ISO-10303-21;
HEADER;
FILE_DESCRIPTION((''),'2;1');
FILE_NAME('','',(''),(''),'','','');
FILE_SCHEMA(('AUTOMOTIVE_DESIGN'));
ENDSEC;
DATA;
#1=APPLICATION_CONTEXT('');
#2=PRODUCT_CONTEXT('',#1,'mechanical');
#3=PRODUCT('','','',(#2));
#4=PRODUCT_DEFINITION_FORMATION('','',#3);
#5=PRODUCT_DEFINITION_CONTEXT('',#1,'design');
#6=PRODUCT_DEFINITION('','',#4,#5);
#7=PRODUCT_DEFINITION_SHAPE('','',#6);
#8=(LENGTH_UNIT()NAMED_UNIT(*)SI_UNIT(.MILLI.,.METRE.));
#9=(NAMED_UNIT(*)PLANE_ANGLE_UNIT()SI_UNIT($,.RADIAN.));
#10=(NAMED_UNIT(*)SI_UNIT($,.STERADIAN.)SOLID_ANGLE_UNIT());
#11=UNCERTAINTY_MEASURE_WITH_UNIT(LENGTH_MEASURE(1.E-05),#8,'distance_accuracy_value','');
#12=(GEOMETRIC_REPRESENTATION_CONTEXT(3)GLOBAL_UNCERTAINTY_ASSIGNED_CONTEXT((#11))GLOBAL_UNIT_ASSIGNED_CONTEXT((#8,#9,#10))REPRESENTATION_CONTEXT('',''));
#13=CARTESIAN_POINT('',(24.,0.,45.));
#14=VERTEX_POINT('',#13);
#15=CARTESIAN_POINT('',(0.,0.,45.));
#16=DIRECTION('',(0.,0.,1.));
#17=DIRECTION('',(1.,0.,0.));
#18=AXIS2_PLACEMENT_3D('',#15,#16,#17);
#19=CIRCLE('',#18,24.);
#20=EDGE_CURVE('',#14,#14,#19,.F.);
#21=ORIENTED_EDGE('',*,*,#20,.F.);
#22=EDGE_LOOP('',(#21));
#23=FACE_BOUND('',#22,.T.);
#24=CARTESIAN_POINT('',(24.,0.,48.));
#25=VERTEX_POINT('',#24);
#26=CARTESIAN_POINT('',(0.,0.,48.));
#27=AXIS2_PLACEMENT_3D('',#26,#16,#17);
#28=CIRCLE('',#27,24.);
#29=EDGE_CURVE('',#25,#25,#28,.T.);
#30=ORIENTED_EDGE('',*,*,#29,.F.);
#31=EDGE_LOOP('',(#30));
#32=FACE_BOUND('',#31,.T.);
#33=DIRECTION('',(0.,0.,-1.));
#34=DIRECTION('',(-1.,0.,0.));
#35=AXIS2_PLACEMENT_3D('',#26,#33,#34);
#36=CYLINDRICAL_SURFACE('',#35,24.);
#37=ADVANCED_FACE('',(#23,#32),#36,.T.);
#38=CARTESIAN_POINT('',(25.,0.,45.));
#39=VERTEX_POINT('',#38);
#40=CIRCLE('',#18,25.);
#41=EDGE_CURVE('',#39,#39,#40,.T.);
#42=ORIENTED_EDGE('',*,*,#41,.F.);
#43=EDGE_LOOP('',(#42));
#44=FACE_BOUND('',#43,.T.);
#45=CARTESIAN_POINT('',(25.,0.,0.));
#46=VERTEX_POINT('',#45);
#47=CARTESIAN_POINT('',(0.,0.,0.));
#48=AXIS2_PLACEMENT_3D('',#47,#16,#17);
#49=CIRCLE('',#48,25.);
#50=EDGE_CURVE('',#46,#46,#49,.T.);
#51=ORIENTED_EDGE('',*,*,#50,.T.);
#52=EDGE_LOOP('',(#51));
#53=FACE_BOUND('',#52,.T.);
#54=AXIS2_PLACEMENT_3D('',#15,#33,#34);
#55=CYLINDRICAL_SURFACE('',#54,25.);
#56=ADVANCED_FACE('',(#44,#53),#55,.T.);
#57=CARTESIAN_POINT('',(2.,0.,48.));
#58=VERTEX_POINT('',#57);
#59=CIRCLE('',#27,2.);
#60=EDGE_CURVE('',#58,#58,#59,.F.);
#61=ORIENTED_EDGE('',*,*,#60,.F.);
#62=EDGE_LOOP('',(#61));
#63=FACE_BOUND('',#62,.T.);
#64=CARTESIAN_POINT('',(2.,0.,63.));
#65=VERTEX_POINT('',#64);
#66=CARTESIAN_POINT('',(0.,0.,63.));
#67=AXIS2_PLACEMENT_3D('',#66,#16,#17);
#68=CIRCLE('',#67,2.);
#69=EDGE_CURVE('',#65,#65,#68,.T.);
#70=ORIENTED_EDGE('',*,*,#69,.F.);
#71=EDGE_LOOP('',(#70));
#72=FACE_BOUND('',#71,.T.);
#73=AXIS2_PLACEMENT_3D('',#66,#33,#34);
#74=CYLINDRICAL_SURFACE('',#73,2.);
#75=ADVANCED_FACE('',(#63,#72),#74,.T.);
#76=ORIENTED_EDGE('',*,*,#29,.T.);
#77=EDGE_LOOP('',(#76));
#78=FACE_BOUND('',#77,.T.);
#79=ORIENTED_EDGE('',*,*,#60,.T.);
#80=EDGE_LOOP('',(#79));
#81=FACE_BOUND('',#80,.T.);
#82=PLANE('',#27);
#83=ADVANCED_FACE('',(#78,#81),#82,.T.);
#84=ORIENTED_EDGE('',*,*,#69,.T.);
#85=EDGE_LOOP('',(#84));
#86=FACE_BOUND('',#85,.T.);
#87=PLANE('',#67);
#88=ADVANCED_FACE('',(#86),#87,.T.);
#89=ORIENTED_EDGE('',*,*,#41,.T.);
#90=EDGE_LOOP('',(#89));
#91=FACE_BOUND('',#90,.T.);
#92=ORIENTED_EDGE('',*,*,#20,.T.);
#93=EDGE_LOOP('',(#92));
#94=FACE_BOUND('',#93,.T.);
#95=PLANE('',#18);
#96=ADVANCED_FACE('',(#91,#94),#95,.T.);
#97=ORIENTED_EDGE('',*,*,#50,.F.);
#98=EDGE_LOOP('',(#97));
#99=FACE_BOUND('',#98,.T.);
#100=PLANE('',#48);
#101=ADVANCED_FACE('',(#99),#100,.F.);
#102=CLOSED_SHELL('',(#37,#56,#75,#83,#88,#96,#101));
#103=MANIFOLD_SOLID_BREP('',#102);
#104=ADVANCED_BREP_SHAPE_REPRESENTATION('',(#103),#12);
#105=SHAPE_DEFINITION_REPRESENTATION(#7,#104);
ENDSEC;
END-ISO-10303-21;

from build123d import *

# Parameters (mm, degrees)
SKETCH1_R           = 25
BOSS_EXTRUDE1_DEPTH = 45
SKETCH2_R           = 24
BOSS_EXTRUDE2_DEPTH = 48
SKETCH3_R           = 2
BOSS_EXTRUDE3_DEPTH = 63


with BuildPart() as part:
    # Sketch1 → Boss-Extrude1 (new body)
    with BuildSketch(Plane.XY):
        Circle(SKETCH1_R)
    extrude(amount=BOSS_EXTRUDE1_DEPTH)

    # Sketch2 → Boss-Extrude2 (add)
    with BuildSketch(Plane.XY):
        Circle(SKETCH2_R)
    extrude(amount=BOSS_EXTRUDE2_DEPTH)

    # Sketch3 → Boss-Extrude3 (add)
    with BuildSketch(Plane.XY):
        Circle(SKETCH3_R)
    extrude(amount=BOSS_EXTRUDE3_DEPTH)


solid = part.part
